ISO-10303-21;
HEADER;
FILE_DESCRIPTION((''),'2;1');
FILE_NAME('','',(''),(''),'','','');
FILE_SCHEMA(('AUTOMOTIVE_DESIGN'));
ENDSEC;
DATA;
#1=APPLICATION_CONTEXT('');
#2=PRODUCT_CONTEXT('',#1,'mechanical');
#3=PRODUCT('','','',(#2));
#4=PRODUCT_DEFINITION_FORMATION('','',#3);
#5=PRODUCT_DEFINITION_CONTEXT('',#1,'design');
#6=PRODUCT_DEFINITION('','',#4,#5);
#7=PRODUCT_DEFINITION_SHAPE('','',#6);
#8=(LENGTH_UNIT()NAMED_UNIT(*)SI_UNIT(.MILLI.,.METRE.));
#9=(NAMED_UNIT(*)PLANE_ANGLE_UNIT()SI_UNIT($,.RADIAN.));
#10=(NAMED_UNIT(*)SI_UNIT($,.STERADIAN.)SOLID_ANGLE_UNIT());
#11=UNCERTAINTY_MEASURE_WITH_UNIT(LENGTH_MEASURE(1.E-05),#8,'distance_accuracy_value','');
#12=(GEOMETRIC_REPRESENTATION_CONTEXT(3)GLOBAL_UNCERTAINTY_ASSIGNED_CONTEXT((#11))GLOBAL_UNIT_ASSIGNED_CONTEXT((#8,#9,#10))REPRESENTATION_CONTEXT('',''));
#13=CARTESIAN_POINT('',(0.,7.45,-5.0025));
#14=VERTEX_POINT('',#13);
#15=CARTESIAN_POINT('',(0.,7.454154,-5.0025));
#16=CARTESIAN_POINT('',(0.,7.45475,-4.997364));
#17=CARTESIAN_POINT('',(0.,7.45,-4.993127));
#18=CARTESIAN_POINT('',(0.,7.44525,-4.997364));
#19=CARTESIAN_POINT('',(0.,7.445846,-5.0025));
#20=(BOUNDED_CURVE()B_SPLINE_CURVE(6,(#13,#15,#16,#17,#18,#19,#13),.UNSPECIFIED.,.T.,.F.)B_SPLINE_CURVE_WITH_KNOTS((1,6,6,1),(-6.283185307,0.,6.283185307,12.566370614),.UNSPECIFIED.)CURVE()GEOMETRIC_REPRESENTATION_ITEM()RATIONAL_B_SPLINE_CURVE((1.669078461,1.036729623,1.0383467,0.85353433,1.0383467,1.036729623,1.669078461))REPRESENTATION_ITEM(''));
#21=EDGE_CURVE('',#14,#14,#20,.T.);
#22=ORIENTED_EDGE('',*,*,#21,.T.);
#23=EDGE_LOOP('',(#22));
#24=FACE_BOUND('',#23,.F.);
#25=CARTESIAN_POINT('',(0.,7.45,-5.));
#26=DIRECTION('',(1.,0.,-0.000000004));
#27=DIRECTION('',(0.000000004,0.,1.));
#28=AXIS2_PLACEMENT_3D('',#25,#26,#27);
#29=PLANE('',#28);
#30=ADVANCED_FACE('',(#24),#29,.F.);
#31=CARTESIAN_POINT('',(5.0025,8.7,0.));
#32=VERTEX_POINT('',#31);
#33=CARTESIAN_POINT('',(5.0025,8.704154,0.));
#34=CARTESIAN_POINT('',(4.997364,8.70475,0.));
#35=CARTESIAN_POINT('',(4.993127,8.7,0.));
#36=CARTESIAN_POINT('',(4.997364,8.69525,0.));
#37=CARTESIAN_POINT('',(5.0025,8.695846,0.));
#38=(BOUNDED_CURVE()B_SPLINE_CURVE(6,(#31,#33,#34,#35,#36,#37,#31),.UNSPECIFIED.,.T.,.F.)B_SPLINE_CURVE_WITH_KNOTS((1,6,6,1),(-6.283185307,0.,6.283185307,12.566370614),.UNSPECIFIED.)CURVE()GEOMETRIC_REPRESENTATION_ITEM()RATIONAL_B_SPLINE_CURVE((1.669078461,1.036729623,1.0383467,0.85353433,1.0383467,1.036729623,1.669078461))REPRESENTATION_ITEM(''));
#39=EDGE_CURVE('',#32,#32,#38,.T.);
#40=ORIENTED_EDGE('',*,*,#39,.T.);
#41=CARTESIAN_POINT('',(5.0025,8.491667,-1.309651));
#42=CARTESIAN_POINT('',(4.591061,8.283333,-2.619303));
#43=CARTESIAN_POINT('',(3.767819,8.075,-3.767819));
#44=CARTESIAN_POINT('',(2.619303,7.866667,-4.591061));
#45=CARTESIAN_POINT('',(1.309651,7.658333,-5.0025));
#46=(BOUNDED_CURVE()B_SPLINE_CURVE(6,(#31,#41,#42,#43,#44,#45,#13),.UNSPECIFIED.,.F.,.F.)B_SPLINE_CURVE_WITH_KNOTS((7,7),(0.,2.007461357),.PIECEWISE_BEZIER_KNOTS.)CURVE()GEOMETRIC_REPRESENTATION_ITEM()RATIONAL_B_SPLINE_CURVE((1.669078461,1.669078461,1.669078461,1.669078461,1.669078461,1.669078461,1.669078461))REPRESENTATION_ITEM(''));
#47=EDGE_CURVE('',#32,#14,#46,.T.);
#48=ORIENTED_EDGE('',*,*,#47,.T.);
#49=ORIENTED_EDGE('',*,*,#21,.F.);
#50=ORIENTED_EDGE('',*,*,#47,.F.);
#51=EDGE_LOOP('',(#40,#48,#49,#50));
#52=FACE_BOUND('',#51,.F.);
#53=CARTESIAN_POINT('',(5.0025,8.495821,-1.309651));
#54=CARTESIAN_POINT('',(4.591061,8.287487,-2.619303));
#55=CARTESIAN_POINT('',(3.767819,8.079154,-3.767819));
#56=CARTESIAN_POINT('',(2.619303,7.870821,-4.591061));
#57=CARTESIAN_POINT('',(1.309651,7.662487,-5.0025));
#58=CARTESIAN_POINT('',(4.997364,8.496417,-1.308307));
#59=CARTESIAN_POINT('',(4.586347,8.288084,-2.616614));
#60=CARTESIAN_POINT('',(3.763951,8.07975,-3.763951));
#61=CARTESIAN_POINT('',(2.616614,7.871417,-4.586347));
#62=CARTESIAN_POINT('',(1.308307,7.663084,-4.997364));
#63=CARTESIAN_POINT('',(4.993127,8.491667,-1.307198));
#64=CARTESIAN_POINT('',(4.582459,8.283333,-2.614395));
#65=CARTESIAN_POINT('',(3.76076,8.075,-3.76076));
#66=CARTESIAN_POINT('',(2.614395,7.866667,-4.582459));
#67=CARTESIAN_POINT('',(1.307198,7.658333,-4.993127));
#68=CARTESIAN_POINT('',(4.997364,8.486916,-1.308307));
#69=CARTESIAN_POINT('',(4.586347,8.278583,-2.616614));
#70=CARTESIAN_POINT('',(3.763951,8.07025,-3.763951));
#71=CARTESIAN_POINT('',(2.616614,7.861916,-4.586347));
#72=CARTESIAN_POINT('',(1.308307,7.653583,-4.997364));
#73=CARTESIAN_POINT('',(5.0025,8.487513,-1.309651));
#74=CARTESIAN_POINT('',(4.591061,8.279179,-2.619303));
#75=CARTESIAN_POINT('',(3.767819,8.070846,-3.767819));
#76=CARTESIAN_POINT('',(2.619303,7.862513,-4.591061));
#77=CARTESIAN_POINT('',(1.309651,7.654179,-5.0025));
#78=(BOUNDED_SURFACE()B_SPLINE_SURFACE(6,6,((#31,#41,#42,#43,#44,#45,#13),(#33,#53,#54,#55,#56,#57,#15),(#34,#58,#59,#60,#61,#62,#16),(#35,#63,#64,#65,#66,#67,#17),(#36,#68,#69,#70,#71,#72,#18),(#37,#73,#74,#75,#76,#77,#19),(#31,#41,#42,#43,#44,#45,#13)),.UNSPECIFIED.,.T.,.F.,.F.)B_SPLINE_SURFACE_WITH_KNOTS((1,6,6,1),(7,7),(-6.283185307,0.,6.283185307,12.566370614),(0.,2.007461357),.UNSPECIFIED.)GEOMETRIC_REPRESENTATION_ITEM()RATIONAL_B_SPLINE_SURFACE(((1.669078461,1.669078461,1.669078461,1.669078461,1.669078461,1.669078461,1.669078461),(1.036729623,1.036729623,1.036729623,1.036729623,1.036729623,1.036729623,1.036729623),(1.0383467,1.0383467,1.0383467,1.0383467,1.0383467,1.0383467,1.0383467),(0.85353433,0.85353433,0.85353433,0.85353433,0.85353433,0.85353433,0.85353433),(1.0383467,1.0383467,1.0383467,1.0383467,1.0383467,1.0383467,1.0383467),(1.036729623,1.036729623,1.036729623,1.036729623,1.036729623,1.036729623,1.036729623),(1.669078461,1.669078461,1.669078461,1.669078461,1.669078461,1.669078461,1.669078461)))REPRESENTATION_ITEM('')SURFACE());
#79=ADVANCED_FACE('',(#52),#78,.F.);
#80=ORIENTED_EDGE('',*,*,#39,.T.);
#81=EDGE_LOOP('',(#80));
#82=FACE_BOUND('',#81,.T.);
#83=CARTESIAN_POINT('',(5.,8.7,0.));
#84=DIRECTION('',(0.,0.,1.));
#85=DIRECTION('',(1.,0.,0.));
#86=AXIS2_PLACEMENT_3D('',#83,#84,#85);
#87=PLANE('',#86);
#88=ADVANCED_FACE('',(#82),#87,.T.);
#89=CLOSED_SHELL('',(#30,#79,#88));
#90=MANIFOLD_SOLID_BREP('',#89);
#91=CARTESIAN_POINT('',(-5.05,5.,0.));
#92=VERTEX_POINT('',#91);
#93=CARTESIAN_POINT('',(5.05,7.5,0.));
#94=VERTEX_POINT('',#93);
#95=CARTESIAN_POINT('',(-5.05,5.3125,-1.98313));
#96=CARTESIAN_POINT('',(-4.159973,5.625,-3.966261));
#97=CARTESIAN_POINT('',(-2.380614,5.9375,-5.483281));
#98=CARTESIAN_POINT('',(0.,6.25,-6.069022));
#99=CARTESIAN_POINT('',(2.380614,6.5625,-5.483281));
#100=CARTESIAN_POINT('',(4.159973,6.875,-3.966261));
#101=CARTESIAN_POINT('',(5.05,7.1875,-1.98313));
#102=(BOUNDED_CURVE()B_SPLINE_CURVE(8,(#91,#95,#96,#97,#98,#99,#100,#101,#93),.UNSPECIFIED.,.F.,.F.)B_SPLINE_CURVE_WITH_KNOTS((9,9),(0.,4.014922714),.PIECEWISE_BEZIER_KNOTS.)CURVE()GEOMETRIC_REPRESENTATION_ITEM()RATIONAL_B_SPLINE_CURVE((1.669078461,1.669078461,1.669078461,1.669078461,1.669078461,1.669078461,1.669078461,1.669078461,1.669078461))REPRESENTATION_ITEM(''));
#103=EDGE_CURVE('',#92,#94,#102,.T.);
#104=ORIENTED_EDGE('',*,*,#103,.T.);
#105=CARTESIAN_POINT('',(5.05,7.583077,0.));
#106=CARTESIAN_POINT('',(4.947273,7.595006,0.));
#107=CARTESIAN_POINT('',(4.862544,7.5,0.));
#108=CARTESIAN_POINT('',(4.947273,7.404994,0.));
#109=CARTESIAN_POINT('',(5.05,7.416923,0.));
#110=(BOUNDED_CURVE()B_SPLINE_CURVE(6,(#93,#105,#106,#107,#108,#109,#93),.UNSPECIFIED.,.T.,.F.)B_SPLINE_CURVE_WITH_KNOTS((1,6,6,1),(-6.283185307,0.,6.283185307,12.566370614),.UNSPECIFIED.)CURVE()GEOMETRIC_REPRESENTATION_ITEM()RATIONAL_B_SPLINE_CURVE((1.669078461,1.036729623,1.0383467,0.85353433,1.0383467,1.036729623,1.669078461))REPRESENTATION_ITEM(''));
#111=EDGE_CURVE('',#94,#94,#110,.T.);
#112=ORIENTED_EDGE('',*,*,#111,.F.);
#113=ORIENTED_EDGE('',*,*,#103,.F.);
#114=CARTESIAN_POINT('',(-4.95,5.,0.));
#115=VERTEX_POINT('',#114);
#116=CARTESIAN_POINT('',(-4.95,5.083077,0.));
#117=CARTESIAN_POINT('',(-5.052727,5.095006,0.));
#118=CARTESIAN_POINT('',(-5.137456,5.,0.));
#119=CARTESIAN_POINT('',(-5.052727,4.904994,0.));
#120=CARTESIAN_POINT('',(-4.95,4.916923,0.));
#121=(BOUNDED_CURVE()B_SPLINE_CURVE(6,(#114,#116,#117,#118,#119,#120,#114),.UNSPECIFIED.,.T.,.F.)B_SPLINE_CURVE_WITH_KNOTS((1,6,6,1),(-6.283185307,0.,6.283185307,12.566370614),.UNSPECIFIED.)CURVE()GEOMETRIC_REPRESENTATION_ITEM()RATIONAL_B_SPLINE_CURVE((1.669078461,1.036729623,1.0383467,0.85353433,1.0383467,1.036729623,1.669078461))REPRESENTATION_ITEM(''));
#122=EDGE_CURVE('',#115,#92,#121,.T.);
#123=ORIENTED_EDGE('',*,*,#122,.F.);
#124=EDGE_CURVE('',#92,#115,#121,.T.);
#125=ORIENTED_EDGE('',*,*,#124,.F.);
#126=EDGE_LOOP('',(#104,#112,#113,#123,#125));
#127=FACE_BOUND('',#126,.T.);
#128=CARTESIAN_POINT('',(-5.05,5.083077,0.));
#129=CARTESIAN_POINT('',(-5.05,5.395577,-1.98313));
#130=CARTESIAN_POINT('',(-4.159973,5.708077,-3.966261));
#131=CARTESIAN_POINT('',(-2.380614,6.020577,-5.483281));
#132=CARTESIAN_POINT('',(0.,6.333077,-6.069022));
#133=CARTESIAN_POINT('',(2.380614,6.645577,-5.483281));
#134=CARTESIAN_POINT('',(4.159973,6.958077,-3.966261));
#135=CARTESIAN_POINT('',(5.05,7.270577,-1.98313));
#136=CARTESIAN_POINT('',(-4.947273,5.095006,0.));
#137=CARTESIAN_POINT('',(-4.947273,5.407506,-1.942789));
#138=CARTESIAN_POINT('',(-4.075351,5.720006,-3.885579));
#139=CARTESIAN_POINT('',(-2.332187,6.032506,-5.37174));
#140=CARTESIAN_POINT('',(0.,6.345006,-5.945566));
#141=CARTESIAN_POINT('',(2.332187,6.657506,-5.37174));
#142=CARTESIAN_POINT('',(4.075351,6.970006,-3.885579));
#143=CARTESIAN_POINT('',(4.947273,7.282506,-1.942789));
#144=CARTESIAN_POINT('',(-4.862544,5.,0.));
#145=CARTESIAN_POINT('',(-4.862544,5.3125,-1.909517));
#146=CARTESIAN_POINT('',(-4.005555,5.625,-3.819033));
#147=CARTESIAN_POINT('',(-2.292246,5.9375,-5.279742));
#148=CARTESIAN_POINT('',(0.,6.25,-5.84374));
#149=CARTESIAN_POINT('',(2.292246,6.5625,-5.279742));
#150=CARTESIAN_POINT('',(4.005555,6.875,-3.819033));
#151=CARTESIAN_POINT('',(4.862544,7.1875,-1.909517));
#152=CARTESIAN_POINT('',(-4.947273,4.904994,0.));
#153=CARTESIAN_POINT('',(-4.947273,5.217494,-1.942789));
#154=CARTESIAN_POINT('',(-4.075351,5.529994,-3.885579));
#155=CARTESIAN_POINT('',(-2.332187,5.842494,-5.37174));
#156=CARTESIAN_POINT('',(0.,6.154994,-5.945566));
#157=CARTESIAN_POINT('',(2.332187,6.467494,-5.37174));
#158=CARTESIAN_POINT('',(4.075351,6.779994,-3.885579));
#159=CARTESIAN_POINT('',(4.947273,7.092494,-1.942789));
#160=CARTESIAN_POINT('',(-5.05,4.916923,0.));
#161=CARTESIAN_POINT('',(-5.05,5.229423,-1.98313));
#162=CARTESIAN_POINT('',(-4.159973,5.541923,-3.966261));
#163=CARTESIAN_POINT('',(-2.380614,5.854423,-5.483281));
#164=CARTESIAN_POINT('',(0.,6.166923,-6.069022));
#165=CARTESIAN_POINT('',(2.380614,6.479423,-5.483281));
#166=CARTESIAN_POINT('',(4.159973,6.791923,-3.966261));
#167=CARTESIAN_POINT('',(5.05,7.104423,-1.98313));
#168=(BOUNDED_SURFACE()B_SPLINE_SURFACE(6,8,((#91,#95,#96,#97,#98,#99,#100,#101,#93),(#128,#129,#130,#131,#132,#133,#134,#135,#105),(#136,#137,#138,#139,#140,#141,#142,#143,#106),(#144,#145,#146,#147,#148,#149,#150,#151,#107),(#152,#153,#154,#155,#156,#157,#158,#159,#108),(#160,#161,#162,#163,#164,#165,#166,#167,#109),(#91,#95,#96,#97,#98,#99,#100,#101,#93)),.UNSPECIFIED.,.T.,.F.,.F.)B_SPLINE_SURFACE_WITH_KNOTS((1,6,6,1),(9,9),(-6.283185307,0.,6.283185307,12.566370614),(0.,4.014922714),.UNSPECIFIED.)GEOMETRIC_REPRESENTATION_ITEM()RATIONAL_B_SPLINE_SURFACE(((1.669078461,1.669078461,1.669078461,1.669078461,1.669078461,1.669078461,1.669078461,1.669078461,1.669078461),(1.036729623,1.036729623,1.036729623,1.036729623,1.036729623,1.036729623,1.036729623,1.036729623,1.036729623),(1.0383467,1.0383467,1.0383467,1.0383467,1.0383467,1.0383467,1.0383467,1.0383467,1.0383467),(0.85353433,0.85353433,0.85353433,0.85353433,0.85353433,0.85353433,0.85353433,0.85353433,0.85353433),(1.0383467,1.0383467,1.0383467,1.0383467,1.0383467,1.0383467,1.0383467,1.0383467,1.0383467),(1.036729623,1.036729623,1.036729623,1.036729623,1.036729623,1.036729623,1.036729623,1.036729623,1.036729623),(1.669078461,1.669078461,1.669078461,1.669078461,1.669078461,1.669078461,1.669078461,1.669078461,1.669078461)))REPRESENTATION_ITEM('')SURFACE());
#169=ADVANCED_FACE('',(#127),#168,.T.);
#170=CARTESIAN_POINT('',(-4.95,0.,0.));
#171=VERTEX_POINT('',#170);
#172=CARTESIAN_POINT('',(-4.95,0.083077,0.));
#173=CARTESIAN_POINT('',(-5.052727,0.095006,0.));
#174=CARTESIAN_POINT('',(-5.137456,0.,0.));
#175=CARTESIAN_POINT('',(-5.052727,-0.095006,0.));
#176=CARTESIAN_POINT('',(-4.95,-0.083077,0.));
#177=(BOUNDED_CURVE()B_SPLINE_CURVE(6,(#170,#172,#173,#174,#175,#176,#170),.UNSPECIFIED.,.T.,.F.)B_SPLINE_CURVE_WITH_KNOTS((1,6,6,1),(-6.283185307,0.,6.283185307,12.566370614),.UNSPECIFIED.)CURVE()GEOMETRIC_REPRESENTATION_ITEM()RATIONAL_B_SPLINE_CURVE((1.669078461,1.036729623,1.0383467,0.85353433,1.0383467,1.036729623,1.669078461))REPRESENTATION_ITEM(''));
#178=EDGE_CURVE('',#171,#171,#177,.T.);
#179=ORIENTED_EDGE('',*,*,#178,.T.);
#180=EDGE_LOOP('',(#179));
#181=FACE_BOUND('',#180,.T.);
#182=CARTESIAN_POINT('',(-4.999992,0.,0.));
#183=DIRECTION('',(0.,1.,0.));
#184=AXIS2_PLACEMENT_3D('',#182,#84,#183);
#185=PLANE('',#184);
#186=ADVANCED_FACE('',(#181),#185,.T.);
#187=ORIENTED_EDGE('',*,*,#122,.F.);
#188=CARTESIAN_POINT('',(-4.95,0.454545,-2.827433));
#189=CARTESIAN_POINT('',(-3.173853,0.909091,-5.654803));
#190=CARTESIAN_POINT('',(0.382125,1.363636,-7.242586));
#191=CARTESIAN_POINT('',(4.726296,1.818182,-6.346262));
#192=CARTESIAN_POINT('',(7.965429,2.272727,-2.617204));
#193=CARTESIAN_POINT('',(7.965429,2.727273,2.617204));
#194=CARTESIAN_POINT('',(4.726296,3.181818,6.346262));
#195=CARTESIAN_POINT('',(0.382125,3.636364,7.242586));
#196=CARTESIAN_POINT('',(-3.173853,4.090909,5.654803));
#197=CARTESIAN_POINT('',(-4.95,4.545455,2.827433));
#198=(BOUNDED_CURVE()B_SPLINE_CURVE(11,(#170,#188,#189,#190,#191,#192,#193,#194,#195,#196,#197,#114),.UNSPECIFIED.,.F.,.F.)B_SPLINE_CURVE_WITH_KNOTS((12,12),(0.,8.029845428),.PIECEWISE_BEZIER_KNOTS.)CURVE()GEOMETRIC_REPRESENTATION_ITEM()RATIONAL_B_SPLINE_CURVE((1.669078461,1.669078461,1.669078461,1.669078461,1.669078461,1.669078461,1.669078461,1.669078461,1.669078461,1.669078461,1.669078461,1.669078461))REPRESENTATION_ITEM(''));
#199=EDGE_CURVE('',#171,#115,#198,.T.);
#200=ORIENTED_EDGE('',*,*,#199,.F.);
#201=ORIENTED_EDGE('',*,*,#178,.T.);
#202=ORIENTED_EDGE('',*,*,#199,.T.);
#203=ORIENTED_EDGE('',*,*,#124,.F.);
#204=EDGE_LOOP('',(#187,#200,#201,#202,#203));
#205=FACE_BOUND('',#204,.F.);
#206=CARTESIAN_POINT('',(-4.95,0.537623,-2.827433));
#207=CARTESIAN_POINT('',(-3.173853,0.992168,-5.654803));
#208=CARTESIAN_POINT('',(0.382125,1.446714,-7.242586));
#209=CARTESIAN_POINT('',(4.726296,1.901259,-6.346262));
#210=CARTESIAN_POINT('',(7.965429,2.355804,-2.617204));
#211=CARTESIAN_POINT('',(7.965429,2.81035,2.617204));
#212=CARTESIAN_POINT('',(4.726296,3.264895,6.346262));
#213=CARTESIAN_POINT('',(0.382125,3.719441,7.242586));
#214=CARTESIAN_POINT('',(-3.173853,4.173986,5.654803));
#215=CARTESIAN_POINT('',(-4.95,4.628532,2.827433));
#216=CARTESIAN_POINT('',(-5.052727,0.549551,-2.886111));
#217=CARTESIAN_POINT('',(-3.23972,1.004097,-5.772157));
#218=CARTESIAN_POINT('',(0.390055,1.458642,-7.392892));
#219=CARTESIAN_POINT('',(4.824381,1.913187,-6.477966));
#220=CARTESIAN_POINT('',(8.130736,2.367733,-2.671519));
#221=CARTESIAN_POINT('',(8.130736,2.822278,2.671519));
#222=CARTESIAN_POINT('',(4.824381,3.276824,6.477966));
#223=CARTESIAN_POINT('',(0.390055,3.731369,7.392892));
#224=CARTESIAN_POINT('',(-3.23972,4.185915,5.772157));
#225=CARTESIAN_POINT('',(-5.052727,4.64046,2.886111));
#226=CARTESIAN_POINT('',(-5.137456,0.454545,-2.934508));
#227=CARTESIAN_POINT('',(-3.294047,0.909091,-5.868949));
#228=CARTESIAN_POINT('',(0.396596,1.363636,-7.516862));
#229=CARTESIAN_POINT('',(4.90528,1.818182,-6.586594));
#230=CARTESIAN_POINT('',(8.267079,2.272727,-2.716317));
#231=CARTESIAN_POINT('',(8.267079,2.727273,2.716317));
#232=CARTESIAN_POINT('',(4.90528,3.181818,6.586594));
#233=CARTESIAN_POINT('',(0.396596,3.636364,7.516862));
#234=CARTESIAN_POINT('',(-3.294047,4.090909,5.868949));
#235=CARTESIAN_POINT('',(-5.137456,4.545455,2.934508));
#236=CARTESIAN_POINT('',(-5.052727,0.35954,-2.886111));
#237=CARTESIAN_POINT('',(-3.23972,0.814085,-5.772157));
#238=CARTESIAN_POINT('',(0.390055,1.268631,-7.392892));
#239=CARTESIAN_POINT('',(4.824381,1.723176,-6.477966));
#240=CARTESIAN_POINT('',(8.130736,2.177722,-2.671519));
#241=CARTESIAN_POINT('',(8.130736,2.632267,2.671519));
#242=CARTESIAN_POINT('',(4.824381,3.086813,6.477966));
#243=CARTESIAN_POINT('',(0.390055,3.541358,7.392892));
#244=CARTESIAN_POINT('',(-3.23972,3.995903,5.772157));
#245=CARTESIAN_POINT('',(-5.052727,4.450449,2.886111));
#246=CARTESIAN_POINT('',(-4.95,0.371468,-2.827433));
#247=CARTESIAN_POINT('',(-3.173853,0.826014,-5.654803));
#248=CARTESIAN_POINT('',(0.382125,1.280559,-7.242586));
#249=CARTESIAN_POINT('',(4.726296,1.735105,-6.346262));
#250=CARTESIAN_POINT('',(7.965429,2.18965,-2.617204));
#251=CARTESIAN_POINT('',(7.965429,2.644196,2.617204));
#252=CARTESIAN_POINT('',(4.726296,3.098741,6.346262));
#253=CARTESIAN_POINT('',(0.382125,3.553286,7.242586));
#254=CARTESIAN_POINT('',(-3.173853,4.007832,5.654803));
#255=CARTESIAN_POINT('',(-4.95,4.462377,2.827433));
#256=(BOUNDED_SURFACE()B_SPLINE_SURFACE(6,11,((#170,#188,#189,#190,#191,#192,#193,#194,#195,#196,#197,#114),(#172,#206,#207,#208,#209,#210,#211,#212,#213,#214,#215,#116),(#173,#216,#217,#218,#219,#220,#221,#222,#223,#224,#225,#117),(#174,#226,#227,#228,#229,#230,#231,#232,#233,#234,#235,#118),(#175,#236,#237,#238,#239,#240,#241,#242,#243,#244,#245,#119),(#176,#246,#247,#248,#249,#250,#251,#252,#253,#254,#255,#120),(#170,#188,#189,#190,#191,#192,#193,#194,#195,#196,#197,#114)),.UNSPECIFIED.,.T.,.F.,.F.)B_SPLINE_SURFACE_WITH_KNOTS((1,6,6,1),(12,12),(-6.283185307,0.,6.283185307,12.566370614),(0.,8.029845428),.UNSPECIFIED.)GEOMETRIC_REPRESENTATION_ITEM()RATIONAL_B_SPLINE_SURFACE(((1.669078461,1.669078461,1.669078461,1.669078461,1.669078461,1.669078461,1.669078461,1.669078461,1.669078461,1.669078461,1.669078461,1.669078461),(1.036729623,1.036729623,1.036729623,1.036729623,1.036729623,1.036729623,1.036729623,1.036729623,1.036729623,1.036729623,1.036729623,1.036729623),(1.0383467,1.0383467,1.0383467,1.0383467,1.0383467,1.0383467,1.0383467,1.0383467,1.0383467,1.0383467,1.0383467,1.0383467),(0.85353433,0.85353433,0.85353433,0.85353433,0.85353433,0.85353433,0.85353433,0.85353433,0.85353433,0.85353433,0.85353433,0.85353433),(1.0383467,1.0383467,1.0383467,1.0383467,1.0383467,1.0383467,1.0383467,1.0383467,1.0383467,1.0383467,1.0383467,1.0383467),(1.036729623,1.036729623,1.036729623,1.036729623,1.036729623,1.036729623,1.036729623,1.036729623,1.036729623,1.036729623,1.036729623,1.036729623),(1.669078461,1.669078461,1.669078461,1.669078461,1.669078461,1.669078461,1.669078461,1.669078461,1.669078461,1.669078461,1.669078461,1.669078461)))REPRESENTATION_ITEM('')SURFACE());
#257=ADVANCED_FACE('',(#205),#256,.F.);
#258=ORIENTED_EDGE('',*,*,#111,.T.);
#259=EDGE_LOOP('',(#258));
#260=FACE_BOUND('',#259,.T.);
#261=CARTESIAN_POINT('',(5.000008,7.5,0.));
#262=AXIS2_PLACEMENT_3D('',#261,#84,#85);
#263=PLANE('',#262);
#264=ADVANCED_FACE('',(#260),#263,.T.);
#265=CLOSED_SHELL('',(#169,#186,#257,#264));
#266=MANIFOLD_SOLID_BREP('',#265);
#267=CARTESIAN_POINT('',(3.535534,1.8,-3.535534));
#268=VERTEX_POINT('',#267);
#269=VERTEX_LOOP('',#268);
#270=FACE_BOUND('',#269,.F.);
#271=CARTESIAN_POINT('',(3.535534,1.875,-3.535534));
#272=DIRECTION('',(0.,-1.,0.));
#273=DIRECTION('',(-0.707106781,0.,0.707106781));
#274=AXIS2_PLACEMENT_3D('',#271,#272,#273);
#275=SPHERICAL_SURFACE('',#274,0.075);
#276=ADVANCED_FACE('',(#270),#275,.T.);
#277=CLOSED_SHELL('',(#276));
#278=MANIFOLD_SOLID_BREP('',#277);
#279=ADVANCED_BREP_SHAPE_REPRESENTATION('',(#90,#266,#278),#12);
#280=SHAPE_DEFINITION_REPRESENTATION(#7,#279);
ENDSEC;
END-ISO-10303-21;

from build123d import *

# Parameters (mm, degrees)
SWEEP1_PITCH       = 5
SWEEP1_HEIGHT      = 5
SWEEP1_RADIUS      = 5
SWEEP1_START_ANGLE = -90
SKETCH4_R          = 0.05
SWEEP2_PITCH       = 5
SWEEP2_HEIGHT      = 2.5
SWEEP2_RADIUS      = 5
SWEEP2_START_ANGLE = -90
SKETCH17_R         = 0.05
SWEEP3_PITCH       = 5
SWEEP3_HEIGHT      = 1.25
SWEEP3_RADIUS      = 5
SWEEP3_START_ANGLE = 90
SKETCH29_R         = 0.0025


with BuildPart() as part:
    # Sweep1: sweep along a helix
    with BuildLine() as sweep1_path:
        add(Helix(SWEEP1_PITCH, SWEEP1_HEIGHT, SWEEP1_RADIUS, center=(0, 0, 0), direction=(0, 1, 0), lefthand=True, mode=Mode.PRIVATE).rotate(Axis((0, 0, 0), (0, 1, 0)), SWEEP1_START_ANGLE))
    # Sketch4 → Sweep1 (sweep)
    with BuildSketch(Plane.XY):
        with Locations((-5, 0)):
            Circle(SKETCH4_R)
    sweep(path=sweep1_path.line, is_frenet=True)

    # Sweep2: sweep along a helix
    with BuildLine() as sweep2_path:
        add(Helix(SWEEP2_PITCH, SWEEP2_HEIGHT, SWEEP2_RADIUS, center=(0, 5, 0), direction=(0, 1, 0), lefthand=True, mode=Mode.PRIVATE).rotate(Axis((0, 5, 0), (0, 1, 0)), SWEEP2_START_ANGLE))
    # Sketch17 → Sweep2 (sweep)
    with BuildSketch(Plane(origin=(0, 0, 0), x_dir=(-1, 0, 0), z_dir=(0, 0, -1))):
        with Locations((5, 5)):
            Circle(SKETCH17_R)
    sweep(path=sweep2_path.line, is_frenet=True)


with BuildPart() as body_2:
    # Sketch6 → Revolve4 (revolve)
    with BuildSketch(Plane(origin=(0, 0, 0), x_dir=(0.707106781, 0, -0.707106781), z_dir=(0.707106781, 0, 0.707106781))):
        with BuildLine():
            Line((5, 1.8), (5, 1.95))
            ThreePointArc((5, 1.95), (4.925, 1.875), (5, 1.8))
        make_face()
    revolve(axis=Axis((3.535533906, -998.125, -3.535533906), (0, 1, 0)))


with BuildPart() as body_3:
    # Sweep3: sweep along a helix
    with BuildLine() as sweep3_path:
        add(Helix(SWEEP3_PITCH, SWEEP3_HEIGHT, SWEEP3_RADIUS, center=(0, 8.7, 0), direction=(0, -1, 0), lefthand=True, mode=Mode.PRIVATE).rotate(Axis((0, 8.7, 0), (0, -1, 0)), SWEEP3_START_ANGLE))
    # Sketch29 → Sweep3 (sweep)
    with BuildSketch(Plane.XY):
        with Locations((5, 8.7)):
            Circle(SKETCH29_R)
    sweep(path=sweep3_path.line, is_frenet=True)


solid = Compound([part.part, body_2.part, body_3.part])
